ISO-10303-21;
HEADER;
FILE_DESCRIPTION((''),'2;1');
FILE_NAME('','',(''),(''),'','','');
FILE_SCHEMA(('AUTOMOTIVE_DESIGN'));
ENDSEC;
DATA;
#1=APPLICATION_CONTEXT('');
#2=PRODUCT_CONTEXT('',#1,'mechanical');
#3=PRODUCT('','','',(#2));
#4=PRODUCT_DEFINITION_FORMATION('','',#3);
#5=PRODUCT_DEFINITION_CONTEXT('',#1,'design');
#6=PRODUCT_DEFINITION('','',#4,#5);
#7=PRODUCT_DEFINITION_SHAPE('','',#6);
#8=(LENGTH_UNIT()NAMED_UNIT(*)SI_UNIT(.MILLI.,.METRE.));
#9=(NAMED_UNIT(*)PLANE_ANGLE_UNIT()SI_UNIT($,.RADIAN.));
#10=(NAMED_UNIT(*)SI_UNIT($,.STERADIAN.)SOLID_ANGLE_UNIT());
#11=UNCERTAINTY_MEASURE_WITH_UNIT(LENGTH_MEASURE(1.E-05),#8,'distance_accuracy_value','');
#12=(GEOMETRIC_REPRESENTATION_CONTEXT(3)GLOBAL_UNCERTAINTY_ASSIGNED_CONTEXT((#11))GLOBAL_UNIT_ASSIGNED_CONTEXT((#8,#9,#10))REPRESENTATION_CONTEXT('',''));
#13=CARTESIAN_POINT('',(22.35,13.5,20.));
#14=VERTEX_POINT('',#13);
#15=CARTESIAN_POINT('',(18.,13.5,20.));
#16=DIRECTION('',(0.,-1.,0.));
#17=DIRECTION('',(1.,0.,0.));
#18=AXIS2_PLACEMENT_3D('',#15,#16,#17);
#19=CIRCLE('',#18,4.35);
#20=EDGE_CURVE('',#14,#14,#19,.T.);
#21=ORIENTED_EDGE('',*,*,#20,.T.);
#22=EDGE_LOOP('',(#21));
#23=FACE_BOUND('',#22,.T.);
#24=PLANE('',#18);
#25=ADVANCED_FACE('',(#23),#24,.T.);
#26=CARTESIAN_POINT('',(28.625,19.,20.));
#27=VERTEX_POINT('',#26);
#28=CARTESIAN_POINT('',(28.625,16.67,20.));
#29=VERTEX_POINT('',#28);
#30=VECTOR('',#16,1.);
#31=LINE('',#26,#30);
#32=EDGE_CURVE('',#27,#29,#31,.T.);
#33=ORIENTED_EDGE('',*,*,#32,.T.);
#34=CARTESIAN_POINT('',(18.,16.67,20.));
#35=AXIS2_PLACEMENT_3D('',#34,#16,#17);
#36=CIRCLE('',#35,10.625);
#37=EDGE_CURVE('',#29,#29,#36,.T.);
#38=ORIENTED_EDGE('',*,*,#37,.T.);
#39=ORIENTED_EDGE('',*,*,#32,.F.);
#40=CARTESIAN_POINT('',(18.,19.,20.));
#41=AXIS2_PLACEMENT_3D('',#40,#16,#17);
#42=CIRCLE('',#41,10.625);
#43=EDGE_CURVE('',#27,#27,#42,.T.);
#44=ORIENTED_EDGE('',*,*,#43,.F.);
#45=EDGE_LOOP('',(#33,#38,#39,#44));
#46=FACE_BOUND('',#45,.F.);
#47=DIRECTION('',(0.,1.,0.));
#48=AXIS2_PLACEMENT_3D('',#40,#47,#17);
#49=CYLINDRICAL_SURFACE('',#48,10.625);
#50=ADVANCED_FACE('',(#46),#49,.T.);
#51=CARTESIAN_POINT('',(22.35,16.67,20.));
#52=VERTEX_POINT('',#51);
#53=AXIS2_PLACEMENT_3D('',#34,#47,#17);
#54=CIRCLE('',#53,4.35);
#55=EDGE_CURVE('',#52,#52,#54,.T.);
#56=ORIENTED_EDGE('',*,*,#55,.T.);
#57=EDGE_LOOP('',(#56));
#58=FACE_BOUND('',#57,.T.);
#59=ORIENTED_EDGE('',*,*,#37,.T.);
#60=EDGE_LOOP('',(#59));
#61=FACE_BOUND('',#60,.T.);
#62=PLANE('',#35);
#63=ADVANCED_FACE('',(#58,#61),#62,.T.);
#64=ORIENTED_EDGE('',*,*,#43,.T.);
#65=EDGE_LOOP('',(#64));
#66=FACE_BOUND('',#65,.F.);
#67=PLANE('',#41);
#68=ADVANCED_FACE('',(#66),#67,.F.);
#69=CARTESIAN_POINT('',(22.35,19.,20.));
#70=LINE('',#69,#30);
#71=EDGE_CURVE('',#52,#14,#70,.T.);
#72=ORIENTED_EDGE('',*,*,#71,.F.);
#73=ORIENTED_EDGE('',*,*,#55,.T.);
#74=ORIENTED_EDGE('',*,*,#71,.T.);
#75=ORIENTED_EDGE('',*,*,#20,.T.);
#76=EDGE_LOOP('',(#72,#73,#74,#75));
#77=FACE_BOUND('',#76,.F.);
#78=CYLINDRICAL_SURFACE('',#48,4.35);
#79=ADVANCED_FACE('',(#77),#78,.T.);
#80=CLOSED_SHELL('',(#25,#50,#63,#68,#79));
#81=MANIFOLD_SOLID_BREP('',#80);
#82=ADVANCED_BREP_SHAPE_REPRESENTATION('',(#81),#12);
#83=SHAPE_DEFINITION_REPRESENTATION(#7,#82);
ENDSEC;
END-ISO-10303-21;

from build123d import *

# Parameters (mm, degrees)
CYLINDER009_R             = 4.35
CYLINDER009_DEPTH         = 5.5
CYLINDER008_R             = 10.625
CYLINDER008_DEPTH         = 2.33
FUSION002_PLACEMENT_ANGLE = 90


with BuildPart() as servoplate002:
    # Cylinder009 → Cylinder009 (new body)
    with BuildSketch(Plane.XY):
        Circle(CYLINDER009_R)
    extrude(amount=CYLINDER009_DEPTH)


with BuildPart() as servoplate003:
    # Cylinder008 → Cylinder008 (new body)
    with BuildSketch(Plane.XY):
        Circle(CYLINDER008_R)
    extrude(amount=CYLINDER008_DEPTH)

    # Fusion002: union servoPlate002
    add(servoplate002.part)


with BuildPart() as servoplate003_1:
    # Fusion002 placement: moved
    add(servoplate003.part.moved(Location((18, 19, 20))).rotate(Axis((18, 19, 20), (1, 0, 0)), FUSION002_PLACEMENT_ANGLE))


solid = servoplate003_1.part
